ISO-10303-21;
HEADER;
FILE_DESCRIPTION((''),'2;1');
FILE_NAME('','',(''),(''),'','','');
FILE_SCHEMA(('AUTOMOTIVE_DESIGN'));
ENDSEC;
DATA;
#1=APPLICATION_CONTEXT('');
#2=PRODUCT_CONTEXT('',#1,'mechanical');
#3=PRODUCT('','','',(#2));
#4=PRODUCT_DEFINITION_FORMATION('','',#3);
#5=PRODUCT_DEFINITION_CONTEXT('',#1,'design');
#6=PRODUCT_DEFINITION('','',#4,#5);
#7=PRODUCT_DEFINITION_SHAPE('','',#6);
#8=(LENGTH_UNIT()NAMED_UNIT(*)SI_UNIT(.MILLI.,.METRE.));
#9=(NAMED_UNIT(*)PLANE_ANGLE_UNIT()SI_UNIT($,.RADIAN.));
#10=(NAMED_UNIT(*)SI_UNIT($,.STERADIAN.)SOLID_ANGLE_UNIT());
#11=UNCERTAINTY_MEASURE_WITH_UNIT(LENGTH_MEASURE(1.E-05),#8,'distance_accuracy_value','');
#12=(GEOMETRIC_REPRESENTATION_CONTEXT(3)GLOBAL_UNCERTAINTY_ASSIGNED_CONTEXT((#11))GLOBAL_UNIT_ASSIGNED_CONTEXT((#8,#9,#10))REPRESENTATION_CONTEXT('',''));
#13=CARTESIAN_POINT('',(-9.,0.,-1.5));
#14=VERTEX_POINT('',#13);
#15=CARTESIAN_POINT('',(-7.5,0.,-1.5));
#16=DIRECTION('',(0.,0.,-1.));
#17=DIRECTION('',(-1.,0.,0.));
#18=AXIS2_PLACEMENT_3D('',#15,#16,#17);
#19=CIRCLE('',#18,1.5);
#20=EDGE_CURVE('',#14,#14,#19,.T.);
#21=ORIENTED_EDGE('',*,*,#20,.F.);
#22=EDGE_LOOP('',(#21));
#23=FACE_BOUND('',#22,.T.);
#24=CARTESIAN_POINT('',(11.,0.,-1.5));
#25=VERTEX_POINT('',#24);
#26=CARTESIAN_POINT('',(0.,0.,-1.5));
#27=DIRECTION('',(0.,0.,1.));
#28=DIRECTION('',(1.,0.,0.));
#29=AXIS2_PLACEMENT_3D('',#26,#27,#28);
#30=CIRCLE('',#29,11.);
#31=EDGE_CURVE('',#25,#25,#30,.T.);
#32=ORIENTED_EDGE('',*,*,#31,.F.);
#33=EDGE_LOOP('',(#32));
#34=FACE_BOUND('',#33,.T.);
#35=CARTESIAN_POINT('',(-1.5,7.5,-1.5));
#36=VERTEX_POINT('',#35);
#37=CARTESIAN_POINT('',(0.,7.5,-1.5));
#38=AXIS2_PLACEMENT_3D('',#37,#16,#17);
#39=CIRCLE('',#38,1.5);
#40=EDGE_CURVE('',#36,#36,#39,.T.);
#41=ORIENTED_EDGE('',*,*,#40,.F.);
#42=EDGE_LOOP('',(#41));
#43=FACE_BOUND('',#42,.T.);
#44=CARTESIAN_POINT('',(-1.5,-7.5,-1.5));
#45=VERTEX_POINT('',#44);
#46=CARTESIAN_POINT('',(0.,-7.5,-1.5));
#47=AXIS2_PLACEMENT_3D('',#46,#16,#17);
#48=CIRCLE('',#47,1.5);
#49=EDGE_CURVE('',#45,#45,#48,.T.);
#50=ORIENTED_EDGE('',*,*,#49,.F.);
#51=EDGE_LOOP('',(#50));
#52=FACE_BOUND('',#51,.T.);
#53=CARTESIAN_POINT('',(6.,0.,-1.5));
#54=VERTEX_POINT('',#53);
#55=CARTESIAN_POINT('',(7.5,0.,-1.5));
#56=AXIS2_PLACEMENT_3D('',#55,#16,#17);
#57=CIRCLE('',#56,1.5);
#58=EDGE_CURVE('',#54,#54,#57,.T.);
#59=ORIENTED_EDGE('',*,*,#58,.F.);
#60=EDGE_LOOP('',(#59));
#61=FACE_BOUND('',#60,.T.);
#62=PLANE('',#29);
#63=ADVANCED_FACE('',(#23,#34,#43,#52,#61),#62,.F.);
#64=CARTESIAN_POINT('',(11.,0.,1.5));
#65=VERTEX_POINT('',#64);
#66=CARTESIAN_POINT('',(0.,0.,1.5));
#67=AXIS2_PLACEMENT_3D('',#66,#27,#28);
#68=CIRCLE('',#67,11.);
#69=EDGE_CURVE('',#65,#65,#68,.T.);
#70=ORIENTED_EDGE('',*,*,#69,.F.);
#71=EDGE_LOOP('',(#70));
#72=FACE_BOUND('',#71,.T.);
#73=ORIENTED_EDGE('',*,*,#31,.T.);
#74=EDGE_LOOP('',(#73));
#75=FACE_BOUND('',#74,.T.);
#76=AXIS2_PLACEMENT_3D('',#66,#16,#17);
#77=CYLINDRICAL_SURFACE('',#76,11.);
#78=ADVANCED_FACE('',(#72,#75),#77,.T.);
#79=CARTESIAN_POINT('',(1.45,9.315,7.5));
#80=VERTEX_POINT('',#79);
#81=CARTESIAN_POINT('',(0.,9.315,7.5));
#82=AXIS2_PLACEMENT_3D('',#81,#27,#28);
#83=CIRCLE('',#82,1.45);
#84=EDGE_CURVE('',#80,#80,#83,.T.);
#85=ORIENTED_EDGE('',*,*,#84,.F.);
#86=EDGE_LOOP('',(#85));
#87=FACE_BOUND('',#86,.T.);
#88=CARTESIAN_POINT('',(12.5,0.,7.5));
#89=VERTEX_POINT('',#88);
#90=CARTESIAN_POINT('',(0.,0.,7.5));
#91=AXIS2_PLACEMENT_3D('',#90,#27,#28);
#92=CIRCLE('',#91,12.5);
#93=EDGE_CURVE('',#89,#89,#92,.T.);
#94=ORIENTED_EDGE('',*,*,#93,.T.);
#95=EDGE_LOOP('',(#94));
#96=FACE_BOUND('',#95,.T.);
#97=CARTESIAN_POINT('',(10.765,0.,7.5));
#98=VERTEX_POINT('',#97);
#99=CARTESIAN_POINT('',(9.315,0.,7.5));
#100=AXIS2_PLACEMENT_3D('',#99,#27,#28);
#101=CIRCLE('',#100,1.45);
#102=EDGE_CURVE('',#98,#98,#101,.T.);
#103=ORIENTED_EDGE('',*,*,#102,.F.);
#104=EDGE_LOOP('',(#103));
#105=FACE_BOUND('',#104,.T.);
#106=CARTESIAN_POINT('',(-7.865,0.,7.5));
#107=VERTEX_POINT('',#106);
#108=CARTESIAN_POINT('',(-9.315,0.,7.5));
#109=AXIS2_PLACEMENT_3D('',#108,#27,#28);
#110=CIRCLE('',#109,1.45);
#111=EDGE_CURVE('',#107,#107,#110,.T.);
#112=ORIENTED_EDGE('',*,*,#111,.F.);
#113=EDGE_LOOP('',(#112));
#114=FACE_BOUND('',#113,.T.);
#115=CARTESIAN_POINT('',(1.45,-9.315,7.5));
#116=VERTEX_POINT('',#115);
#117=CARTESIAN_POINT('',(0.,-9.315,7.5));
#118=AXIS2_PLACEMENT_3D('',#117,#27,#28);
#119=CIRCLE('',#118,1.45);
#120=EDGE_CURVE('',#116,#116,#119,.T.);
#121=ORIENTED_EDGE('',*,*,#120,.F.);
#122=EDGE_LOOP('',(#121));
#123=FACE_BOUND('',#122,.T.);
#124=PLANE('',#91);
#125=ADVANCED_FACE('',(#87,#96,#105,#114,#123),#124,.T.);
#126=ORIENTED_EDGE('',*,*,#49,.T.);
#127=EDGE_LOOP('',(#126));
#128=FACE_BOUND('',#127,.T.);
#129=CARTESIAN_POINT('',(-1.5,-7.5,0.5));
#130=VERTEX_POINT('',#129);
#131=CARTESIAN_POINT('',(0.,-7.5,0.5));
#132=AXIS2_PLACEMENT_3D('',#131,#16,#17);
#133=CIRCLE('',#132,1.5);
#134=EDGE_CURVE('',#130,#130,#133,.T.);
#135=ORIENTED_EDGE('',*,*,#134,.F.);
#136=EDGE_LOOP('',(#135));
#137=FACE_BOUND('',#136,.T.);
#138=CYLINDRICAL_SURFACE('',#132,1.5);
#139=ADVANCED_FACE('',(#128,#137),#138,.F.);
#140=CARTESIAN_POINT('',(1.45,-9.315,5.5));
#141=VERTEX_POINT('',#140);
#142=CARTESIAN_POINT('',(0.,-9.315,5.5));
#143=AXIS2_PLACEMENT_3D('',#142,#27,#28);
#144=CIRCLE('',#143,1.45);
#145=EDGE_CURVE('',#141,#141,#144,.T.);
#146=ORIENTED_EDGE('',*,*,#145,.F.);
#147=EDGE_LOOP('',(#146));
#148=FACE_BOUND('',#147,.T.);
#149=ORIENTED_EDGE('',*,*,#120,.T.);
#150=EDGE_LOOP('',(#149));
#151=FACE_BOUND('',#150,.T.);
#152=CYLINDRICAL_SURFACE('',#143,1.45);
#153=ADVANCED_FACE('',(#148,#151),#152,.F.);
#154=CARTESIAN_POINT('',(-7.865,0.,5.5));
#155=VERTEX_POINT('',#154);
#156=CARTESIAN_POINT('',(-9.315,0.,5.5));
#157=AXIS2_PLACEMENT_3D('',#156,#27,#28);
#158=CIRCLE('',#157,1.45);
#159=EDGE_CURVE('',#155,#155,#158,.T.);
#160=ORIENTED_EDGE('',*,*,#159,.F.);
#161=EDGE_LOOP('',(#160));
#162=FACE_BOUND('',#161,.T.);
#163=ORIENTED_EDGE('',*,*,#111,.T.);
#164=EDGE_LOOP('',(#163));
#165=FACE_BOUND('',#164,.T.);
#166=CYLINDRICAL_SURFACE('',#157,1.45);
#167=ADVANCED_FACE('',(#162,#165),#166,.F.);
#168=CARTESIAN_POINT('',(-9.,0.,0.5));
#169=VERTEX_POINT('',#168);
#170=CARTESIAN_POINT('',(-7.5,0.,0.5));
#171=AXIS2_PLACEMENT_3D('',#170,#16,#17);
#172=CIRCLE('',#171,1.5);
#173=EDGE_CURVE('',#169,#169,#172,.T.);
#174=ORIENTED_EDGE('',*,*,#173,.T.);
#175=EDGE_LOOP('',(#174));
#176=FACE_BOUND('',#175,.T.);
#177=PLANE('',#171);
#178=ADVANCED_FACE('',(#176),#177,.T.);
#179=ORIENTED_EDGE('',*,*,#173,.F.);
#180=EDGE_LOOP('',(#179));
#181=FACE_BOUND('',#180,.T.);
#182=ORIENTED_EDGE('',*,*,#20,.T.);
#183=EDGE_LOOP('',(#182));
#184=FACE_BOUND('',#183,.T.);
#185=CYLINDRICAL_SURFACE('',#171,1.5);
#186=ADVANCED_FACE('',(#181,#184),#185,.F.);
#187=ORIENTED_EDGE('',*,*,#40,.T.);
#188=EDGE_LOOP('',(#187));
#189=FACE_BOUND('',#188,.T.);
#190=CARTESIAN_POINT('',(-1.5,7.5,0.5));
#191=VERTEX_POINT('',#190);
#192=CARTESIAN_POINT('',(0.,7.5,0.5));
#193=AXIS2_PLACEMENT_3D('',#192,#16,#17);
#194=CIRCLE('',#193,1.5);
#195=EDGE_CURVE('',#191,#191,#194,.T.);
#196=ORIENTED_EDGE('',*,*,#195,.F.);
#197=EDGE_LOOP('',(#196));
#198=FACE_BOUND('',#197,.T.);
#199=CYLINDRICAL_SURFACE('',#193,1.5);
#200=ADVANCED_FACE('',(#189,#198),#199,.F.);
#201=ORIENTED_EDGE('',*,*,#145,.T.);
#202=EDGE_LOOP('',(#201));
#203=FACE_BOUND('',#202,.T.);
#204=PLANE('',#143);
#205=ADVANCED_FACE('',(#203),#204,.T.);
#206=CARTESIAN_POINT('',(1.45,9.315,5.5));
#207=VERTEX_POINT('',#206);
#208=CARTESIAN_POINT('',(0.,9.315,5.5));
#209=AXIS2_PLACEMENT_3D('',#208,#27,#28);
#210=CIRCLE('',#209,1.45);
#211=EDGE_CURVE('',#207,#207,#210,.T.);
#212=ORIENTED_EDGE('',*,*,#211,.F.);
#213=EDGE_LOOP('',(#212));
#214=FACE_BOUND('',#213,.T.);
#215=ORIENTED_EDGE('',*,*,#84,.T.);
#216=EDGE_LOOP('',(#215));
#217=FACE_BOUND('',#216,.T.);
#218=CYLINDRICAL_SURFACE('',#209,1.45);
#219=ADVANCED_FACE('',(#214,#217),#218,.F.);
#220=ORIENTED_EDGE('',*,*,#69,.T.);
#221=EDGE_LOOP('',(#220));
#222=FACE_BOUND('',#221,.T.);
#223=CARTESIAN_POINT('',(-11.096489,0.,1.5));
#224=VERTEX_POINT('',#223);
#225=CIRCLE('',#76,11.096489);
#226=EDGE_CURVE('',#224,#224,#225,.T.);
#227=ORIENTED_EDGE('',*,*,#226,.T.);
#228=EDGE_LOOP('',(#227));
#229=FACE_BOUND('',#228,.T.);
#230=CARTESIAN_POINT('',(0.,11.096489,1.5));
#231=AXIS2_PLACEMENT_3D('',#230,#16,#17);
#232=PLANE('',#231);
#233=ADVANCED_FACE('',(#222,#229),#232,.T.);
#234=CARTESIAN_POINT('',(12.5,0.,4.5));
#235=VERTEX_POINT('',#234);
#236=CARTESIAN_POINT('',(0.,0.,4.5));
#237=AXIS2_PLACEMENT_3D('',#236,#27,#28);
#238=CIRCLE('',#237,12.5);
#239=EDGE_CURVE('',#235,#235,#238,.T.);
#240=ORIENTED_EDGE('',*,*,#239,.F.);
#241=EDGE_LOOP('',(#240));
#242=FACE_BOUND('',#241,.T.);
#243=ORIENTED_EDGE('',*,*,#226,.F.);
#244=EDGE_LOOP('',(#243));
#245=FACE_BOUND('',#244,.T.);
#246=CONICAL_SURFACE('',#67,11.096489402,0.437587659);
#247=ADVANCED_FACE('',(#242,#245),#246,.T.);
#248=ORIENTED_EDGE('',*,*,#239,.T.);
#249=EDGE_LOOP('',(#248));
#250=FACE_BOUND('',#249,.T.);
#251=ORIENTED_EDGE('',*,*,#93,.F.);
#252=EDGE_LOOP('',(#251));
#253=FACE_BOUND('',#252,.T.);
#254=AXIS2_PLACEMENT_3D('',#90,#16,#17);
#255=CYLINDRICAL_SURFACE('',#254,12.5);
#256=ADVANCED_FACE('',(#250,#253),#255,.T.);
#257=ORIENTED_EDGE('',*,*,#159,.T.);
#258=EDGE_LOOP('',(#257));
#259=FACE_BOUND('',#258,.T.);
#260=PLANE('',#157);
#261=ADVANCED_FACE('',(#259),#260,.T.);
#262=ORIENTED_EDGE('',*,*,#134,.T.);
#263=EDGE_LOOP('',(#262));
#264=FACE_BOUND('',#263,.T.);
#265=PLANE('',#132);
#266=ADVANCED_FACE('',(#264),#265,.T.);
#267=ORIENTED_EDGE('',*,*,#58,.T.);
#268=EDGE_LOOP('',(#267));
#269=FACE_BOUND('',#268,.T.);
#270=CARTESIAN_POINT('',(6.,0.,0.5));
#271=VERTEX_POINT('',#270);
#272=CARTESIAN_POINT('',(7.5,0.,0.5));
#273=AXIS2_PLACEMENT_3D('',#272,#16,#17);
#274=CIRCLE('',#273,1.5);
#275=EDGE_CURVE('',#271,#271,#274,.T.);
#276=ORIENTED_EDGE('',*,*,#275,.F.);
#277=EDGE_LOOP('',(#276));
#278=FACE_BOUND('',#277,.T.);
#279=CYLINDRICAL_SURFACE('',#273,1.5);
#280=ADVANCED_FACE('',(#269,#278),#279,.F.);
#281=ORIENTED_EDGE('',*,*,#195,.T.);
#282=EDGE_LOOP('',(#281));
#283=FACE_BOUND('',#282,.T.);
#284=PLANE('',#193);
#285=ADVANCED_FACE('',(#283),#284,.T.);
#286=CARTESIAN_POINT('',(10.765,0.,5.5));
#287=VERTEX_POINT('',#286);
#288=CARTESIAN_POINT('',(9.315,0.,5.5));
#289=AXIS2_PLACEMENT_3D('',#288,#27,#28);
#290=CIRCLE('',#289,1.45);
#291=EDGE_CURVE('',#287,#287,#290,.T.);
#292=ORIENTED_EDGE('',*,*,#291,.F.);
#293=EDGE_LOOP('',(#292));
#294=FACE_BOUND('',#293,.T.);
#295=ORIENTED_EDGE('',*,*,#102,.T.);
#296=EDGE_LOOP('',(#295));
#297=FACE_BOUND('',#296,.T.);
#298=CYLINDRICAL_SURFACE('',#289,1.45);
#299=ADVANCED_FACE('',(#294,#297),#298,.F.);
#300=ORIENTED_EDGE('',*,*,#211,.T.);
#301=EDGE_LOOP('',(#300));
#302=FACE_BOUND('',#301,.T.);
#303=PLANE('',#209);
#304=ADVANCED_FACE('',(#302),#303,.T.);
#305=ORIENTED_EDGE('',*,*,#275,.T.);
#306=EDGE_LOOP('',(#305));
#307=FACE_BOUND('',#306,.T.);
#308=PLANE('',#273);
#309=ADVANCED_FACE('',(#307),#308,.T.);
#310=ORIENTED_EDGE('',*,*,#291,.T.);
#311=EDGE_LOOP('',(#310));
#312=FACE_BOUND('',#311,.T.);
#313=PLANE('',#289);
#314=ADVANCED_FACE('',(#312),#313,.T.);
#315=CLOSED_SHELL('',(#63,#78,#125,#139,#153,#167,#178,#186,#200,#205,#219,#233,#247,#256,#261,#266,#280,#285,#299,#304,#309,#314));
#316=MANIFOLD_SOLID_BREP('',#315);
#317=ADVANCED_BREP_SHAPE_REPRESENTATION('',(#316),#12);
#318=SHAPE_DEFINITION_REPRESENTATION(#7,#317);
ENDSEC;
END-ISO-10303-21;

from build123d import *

# Parameters (mm, degrees)
SKETCH1_R           = 11
BOSS_EXTRUDE1_DEPTH = 1.5
SKETCH4_R           = 12.5
BOSS_EXTRUDE2_DEPTH = 3
SKETCH5_R           = 1.45
CUT_EXTRUDE1_DEPTH  = 2
SKETCH6_R           = 1.5
CUT_EXTRUDE2_DEPTH  = 2


with BuildPart() as part:
    # Sketch1 → Boss-Extrude1 (new, symmetric)
    with BuildSketch(Plane.XY):
        Circle(SKETCH1_R)
    extrude(amount=BOSS_EXTRUDE1_DEPTH, both=True)

    # Sketch2 → Revolve1 (revolve)
    with BuildSketch(Plane(origin=(0, 0, 0), x_dir=(0, 0, -1), z_dir=(1, 0, 0)), mode=Mode.PRIVATE) as revolve1_sk:
        Polygon((-4.5, 0), (-4.5, 12.5), (-1.5, 11.096489402), (-1.5, 0), align=None)
    revolve(revolve1_sk.sketch.rotate(Axis((0, 0, 0), (0, 0, 1)), 90), axis=Axis((0, 0, 0), (0, 0, 1)))

    # Sketch4 → Boss-Extrude2 (add)
    with BuildSketch(Plane.XY.offset(4.5)):
        Circle(SKETCH4_R)
    extrude(amount=BOSS_EXTRUDE2_DEPTH)

    # Sketch5 → Cut-Extrude1 (cut)
    with BuildSketch(Plane.XY.offset(7.5)):
        with Locations((0, 9.315)):
            Circle(SKETCH5_R)
        with Locations((9.315, 0)):
            Circle(SKETCH5_R)
        with Locations((0, -9.315)):
            Circle(SKETCH5_R)
        with Locations((-9.315, 0)):
            Circle(SKETCH5_R)
    extrude(amount=-CUT_EXTRUDE1_DEPTH, mode=Mode.SUBTRACT)

    # Sketch6 → Cut-Extrude2 (cut)
    with BuildSketch(Plane(origin=(0, 0, -1.5), x_dir=(-1, 0, 0), z_dir=(0, 0, -1))):
        with Locations((0, 7.5)):
            Circle(SKETCH6_R)
        with Locations((7.5, 0)):
            Circle(SKETCH6_R)
        with Locations((0, -7.5)):
            Circle(SKETCH6_R)
        with Locations((-7.5, 0)):
            Circle(SKETCH6_R)
    extrude(amount=-CUT_EXTRUDE2_DEPTH, mode=Mode.SUBTRACT)


solid = part.part
